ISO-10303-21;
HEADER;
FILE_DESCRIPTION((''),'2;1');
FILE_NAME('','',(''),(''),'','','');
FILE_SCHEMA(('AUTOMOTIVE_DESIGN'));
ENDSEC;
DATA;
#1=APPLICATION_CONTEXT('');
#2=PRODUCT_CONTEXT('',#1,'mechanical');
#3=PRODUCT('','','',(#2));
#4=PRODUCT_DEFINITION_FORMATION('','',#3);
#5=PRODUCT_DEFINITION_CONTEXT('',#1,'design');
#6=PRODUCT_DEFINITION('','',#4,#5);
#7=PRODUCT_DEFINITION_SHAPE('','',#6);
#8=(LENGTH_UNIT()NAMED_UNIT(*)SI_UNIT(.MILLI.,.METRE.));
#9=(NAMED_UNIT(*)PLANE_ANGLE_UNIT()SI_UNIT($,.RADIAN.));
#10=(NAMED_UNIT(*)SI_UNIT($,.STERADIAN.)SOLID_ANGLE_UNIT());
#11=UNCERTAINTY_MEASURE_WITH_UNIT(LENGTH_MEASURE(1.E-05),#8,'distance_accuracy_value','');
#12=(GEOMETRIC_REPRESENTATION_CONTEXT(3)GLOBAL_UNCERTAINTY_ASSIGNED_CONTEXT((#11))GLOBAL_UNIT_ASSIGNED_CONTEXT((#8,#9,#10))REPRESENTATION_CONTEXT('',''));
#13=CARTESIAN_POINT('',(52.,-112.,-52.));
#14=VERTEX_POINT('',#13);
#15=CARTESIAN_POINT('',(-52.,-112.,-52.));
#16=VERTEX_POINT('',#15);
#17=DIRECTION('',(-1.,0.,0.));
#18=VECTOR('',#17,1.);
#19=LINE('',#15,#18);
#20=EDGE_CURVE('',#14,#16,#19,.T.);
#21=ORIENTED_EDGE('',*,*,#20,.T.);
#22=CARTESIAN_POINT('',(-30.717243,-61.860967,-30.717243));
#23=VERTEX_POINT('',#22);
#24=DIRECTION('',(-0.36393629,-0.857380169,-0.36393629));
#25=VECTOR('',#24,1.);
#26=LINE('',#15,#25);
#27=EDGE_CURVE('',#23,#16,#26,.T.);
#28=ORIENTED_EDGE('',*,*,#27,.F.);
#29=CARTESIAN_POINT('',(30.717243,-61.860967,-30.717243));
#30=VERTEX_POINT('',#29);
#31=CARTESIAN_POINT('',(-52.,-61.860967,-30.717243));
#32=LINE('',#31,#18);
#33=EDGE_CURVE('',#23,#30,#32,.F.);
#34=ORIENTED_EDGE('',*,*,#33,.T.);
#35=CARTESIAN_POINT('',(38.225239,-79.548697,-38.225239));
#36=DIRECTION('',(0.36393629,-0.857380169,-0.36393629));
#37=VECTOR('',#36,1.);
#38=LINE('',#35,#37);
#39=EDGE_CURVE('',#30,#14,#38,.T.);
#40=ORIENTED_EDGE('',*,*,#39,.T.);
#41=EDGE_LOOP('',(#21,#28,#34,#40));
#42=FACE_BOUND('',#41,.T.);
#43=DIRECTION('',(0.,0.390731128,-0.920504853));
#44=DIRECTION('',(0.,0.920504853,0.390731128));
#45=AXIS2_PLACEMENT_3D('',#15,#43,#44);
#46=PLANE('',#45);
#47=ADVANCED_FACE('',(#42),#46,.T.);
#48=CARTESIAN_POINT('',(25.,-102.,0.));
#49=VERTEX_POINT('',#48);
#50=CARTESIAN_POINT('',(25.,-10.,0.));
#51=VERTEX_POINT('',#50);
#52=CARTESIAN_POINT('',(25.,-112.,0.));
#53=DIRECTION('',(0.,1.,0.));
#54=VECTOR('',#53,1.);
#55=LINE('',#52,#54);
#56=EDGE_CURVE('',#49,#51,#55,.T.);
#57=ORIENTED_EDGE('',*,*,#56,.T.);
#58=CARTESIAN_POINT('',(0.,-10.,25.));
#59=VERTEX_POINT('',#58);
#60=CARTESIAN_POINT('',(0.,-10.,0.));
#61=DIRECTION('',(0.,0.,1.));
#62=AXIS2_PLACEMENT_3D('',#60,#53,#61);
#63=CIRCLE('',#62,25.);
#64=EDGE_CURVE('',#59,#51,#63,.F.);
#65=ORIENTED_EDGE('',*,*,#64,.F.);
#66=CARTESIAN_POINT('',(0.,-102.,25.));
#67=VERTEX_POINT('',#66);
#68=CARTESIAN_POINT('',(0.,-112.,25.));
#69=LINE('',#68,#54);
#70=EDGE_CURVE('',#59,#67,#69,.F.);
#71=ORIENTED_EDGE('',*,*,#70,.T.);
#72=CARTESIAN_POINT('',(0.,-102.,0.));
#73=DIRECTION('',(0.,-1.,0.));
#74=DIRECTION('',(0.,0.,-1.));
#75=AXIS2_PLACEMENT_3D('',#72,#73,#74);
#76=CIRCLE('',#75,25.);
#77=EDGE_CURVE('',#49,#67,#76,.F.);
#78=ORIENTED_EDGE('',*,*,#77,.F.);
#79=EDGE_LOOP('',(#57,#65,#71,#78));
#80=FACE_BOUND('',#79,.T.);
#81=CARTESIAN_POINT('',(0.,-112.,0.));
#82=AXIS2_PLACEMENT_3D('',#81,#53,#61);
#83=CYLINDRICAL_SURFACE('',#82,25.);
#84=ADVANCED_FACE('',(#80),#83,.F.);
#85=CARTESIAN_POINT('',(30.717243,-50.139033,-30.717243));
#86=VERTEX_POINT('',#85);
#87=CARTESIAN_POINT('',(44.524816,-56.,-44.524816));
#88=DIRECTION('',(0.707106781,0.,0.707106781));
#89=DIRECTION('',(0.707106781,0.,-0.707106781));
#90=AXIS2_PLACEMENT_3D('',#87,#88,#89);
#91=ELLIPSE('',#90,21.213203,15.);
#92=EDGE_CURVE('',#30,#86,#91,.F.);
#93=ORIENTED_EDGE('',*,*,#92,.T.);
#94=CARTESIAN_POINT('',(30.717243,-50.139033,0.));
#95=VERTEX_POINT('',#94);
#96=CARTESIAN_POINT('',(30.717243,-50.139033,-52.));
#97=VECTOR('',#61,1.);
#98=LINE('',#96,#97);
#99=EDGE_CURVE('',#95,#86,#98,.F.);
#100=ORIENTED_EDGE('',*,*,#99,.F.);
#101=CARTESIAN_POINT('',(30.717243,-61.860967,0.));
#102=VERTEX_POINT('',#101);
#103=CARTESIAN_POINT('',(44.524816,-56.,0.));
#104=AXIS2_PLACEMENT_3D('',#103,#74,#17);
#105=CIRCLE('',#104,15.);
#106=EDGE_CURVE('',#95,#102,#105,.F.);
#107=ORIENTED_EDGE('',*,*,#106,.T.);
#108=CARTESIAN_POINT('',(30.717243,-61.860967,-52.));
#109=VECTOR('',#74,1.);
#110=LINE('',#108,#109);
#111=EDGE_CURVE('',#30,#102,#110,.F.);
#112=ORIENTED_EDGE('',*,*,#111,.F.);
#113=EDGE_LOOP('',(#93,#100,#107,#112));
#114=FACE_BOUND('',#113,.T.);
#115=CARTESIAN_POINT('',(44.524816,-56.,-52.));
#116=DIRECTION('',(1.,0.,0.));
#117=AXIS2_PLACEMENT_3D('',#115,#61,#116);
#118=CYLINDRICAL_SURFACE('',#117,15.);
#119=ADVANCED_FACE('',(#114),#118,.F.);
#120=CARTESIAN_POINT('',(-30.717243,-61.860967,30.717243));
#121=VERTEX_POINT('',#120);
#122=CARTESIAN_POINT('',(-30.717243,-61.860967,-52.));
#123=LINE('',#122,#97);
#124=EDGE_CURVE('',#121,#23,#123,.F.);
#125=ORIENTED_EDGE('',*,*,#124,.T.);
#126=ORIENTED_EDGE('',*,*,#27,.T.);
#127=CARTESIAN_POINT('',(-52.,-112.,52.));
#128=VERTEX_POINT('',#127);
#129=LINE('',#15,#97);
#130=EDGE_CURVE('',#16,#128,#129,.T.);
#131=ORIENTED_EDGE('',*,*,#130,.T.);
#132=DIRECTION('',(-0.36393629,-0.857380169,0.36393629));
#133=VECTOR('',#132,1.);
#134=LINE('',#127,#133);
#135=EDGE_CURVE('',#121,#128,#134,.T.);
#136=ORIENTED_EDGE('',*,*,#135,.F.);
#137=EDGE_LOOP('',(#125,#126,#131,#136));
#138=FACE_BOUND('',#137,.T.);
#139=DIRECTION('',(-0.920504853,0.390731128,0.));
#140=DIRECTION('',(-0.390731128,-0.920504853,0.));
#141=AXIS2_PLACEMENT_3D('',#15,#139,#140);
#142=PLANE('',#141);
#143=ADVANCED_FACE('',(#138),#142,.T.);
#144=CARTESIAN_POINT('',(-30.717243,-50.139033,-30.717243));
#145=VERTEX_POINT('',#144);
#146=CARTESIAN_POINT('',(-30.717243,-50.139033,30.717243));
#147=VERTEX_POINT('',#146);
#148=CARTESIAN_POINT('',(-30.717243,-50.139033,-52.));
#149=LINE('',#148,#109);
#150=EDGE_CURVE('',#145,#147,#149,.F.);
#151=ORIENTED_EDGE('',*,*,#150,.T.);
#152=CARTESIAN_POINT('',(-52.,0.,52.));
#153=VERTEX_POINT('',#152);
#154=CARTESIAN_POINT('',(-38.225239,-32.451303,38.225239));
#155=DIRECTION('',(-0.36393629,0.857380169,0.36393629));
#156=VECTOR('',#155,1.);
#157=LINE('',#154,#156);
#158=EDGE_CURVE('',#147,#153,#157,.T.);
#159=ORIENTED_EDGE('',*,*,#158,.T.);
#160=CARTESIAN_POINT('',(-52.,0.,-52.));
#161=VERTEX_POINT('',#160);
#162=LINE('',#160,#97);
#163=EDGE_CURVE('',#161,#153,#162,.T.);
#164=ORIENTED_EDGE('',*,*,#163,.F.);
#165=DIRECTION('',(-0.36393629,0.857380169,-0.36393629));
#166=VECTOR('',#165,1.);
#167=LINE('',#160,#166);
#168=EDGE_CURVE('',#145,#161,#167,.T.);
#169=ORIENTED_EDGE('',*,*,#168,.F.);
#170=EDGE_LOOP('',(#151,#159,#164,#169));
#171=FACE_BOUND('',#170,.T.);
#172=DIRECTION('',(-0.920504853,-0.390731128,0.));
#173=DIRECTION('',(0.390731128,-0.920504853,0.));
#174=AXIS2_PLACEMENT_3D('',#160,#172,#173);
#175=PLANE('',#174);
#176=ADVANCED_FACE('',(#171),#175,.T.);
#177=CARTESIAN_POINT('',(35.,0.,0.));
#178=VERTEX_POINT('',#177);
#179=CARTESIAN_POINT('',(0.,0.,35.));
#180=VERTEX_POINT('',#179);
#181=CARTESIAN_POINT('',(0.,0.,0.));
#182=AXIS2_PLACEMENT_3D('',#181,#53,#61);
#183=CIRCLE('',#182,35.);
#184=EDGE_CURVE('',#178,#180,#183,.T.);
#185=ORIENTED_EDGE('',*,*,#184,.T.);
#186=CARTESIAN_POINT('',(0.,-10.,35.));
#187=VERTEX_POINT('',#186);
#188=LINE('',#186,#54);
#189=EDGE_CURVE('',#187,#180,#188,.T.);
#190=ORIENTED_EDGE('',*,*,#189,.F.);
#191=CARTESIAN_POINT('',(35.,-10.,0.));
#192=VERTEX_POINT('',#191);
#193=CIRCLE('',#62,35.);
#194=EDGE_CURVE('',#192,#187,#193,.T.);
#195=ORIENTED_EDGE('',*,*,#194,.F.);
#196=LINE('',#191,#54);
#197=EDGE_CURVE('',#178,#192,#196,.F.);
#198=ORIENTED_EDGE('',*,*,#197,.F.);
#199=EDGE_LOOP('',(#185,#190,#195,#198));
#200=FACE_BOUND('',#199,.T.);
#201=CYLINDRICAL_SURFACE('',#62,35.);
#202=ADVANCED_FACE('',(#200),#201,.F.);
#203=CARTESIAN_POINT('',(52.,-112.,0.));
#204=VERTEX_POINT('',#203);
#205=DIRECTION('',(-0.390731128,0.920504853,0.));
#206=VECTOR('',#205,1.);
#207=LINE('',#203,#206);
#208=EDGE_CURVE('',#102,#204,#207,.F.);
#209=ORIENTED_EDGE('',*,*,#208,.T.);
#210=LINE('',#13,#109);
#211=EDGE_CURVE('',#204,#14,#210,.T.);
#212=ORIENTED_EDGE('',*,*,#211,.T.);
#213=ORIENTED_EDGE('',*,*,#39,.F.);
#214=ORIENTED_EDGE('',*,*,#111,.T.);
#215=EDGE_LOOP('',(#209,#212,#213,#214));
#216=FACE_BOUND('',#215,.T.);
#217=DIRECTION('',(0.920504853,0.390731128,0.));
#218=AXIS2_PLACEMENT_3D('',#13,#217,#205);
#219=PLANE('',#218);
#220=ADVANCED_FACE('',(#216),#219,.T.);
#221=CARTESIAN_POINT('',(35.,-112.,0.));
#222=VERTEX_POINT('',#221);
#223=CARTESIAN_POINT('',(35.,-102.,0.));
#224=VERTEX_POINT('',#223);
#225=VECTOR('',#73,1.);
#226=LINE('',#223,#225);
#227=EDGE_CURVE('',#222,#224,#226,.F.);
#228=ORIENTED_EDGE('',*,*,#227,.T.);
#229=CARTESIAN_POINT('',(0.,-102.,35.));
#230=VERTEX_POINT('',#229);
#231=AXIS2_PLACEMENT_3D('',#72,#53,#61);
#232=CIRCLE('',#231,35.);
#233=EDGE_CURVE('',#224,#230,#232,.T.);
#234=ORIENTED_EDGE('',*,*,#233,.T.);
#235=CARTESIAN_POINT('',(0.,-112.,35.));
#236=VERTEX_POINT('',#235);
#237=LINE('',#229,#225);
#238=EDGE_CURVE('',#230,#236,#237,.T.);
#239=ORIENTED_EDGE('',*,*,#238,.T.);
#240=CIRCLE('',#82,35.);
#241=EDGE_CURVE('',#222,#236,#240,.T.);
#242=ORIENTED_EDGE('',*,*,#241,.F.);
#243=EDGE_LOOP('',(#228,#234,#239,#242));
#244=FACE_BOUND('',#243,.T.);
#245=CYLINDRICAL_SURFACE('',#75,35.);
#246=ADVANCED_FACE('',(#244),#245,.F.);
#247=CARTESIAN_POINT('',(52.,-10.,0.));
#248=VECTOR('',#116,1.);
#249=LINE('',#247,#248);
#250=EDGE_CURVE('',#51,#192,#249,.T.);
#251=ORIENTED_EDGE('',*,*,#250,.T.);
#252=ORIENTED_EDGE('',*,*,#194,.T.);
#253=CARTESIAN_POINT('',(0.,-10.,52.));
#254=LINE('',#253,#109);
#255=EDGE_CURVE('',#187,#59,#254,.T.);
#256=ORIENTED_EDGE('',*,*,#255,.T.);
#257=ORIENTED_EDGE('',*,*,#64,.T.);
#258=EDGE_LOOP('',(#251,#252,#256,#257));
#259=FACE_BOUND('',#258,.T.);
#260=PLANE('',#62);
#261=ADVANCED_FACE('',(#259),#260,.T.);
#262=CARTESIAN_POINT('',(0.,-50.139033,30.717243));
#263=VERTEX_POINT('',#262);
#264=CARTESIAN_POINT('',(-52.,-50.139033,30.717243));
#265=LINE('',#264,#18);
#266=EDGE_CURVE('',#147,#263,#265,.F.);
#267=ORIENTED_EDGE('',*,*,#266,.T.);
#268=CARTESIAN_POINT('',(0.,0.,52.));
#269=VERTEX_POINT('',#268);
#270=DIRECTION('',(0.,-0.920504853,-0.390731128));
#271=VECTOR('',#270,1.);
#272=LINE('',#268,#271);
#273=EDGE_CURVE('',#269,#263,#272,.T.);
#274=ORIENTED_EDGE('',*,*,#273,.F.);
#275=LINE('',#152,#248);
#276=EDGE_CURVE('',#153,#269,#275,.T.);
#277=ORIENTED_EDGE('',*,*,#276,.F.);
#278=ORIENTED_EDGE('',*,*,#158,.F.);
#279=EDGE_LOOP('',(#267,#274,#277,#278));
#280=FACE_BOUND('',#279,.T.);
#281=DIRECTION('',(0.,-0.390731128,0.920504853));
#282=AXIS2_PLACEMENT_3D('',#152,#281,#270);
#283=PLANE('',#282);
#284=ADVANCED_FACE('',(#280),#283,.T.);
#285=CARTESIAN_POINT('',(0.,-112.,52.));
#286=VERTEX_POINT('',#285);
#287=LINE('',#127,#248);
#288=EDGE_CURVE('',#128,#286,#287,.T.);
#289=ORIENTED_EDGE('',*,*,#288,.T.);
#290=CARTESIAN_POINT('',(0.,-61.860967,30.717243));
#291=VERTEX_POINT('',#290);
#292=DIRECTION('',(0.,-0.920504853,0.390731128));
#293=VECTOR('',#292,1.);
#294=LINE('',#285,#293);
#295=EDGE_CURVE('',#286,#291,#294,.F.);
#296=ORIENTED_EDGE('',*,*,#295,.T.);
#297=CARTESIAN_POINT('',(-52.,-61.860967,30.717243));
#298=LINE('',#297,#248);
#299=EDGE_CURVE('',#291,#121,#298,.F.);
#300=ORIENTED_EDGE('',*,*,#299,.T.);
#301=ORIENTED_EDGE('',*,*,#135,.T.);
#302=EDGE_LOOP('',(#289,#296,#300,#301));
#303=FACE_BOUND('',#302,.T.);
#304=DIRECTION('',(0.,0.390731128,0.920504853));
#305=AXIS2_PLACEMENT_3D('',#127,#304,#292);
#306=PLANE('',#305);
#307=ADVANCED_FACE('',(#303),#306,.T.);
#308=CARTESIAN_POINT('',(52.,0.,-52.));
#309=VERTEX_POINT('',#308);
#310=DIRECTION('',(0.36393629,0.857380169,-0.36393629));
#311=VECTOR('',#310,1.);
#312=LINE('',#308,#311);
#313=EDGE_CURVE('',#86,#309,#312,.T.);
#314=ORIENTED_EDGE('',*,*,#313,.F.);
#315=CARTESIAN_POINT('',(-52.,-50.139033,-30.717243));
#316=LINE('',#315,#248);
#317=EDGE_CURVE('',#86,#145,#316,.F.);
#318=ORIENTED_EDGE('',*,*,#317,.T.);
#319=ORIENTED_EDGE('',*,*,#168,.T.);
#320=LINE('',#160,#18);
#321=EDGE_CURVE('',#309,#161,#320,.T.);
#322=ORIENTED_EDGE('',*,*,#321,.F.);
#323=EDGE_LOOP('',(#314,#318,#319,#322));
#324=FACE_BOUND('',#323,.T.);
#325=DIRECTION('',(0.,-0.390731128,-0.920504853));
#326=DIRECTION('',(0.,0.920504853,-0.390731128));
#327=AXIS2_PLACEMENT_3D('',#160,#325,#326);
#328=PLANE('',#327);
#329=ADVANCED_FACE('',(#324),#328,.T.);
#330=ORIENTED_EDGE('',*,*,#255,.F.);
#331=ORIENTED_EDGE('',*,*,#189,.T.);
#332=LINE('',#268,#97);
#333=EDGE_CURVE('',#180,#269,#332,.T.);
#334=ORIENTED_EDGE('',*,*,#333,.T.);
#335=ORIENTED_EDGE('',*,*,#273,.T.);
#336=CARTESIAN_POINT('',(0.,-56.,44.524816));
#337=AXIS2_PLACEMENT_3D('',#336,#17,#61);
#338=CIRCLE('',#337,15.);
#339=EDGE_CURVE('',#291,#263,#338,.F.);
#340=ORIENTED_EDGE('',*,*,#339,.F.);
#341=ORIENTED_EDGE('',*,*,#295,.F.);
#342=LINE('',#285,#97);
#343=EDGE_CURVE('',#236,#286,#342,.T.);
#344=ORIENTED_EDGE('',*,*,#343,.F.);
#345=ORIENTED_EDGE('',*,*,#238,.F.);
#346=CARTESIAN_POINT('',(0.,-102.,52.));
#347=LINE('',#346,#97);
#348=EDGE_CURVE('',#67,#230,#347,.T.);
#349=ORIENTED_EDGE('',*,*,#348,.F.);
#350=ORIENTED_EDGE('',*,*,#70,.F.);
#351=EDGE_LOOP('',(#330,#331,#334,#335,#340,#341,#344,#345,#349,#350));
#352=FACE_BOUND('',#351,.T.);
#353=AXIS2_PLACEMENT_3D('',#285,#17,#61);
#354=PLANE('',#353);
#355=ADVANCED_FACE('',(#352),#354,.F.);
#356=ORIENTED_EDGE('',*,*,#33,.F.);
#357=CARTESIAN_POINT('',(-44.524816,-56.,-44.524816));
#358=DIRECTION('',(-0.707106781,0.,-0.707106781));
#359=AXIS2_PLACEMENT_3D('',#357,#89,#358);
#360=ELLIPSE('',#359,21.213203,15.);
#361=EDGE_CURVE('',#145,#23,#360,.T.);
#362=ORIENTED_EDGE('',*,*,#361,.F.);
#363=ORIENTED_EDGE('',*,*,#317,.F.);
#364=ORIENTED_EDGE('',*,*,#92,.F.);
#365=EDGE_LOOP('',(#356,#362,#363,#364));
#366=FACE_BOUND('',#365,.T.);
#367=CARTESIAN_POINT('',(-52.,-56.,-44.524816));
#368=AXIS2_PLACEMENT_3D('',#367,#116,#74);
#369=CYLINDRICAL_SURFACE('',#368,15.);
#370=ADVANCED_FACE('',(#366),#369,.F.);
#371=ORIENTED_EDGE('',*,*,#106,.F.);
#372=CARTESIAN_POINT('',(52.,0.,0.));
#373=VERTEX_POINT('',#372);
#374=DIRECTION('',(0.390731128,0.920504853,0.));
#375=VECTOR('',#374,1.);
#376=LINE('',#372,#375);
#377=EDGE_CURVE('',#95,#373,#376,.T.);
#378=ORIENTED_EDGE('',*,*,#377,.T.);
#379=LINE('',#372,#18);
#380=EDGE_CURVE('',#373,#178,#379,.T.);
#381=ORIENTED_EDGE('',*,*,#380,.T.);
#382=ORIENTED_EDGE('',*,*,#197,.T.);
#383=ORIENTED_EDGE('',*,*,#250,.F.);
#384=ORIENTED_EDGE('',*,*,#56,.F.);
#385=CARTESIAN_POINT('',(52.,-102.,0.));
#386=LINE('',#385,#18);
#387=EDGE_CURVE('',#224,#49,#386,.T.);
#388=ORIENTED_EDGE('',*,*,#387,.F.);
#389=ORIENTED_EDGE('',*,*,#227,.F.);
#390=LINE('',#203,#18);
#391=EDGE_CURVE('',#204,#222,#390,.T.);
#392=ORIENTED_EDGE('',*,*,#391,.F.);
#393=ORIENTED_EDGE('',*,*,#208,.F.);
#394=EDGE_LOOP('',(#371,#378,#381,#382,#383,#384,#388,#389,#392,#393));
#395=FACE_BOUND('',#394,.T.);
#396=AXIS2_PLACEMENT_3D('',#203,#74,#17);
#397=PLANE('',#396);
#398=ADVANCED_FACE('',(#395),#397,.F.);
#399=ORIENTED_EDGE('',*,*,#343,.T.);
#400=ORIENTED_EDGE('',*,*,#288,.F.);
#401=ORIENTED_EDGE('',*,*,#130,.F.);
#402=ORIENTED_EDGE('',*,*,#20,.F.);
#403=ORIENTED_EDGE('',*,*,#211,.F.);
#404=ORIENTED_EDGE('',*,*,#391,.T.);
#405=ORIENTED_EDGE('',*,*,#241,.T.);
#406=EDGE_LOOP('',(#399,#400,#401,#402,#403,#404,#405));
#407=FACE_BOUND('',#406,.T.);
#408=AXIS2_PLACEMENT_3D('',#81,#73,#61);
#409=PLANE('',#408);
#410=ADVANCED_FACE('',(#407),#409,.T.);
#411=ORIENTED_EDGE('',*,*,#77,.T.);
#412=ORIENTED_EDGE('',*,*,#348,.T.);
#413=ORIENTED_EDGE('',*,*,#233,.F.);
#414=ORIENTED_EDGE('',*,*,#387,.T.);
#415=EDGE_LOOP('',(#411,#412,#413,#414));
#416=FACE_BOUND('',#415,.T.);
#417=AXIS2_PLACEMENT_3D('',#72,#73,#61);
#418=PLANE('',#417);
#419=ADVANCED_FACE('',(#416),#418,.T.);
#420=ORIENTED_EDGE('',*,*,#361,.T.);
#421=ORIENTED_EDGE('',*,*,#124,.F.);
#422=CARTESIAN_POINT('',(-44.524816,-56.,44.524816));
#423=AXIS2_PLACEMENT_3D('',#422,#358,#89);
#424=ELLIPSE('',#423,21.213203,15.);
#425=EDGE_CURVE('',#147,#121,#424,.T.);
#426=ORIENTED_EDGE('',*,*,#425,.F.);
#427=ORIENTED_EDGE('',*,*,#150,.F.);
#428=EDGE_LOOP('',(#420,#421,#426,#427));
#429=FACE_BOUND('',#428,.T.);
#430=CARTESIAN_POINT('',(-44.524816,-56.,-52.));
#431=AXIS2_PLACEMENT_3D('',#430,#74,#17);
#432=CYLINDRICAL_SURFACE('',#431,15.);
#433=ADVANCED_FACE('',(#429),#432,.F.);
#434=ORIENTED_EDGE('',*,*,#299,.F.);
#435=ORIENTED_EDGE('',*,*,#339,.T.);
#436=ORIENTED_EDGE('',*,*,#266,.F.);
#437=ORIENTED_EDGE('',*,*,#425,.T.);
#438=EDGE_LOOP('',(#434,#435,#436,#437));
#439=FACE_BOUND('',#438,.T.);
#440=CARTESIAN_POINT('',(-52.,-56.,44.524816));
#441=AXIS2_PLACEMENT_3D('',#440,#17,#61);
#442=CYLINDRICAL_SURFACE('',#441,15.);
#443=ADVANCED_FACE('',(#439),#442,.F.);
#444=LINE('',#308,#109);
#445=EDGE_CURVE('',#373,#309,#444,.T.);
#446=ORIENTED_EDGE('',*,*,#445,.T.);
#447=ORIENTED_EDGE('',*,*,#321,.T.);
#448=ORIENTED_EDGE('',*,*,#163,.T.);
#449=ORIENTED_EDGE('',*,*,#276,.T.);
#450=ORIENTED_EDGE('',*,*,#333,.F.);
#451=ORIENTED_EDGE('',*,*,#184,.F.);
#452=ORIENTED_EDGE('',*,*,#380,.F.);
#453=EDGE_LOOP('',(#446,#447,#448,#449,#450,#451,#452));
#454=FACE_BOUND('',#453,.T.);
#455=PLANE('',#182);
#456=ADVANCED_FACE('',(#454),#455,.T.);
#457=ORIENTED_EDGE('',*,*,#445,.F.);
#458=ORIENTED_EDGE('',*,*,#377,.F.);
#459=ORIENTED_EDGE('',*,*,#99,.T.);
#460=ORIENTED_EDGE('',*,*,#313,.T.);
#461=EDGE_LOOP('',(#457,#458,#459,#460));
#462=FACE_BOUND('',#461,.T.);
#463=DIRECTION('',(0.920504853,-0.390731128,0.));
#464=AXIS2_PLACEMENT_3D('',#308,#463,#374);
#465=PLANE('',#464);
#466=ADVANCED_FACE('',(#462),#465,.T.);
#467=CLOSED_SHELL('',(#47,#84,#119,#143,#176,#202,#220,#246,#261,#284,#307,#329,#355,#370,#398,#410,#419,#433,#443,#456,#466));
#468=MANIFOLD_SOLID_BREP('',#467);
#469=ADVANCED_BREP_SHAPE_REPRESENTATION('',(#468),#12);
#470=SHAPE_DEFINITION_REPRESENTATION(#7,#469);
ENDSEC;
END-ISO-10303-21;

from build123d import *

# Parameters (mm, degrees)
ESQUISSE1_W                  = 104
ESQUISSE1_H                  = 104
BOSS_EXTRU_2_DEPTH           = 56
BOSS_EXTRU_2_DRAFT           = -23
SYM_TRIE1_COPY_1_SKETCH_W    = 104
SYM_TRIE1_COPY_1_SKETCH_H    = 104
SYM_TRIE1_COPY_1_DEPTH       = 56
SYM_TRIE1_COPY_1_DRAFT       = -23
ENL_V_MAT_EXTRU_1_DEPTH      = 134.985073796
ENL_V_MAT_EXTRU_1_DEPTH_BACK = 134.985073796
ESQUISSE2_R                  = 25
CONG_1_R                     = 15
ESQUISSE3_W                  = 52
ESQUISSE3_H                  = 52
ENL_V_MAT_EXTRU_2_DEPTH      = 134.985073796
ESQUISSE4_R                  = 35
ENL_V_MAT_EXTRU_3_DEPTH      = 10


with BuildPart() as part:
    # Esquisse1 → Boss.-Extru.2 (with draft: the straight prism first)
    with BuildSketch(Plane(origin=(0, 0, 0), x_dir=(1, 0, 0), z_dir=(0, 1, 0))):
        Rectangle(ESQUISSE1_W, ESQUISSE1_H)
    extrude(amount=-BOSS_EXTRU_2_DEPTH)
    # Boss.-Extru.2: the draft: its side faces are tilted about the plane it starts from
    boss_extru_2_sides = [part.faces().sort_by_distance(p)[0] for p in [
        (-52, -28, 0),
        (0, -28, 52),
        (52, -28, 0),
        (0, -28, -52),
    ]]
    draft(boss_extru_2_sides, Plane(origin=(0, 0, 0), x_dir=(1, 0, 0), z_dir=(0, 1, 0)), BOSS_EXTRU_2_DRAFT)


with BuildPart() as sym_trie1_copy_1_tool:
    # Symétrie1 copy 1 sketch → Symétrie1 copy 1 (with draft: the straight prism first)
    with BuildSketch(Plane.XZ.offset(112)):
        Rectangle(SYM_TRIE1_COPY_1_SKETCH_W, SYM_TRIE1_COPY_1_SKETCH_H)
    extrude(amount=-SYM_TRIE1_COPY_1_DEPTH)
    # Symétrie1 copy 1: the draft: its side faces are tilted about the plane it starts from
    sym_trie1_copy_1_sides = [sym_trie1_copy_1_tool.faces().sort_by_distance(p)[0] for p in [
        (-52, -84, 0),
        (0, -84, 52),
        (52, -84, 0),
        (0, -84, -52),
    ]]
    draft(sym_trie1_copy_1_sides, Plane.XZ.offset(112), SYM_TRIE1_COPY_1_DRAFT)


with BuildPart() as part_1:
    add(part.part)

    # Symétrie1 copy 1: add sym_trie1_copy_1_tool
    add(sym_trie1_copy_1_tool.part)

    # Esquisse2 → Enlèv. mat.-Extru.1 (cut, two sides: drawn at the far end of the back side and taken through both)
    with BuildSketch(Plane(origin=(0, 0, 0), x_dir=(1, 0, 0), z_dir=(0, 1, 0)).offset(-ENL_V_MAT_EXTRU_1_DEPTH_BACK)):
        with Locations(Location((0, 0, 0), (0, 0, 270))):
            Circle(ESQUISSE2_R)
    extrude(amount=ENL_V_MAT_EXTRU_1_DEPTH + ENL_V_MAT_EXTRU_1_DEPTH_BACK, mode=Mode.SUBTRACT)

    # Congé1
    cong_1_edges = [part_1.edges().sort_by_distance(p)[0] for p in [
        (-28.229410292, -56, 0),
        (0, -56, 28.229410292),
        (28.229410292, -56, 0),
        (0, -56, -28.229410292),
    ]]
    fillet(cong_1_edges, radius=CONG_1_R)

    # Esquisse3 → Enlèv. mat.-Extru.2 (cut, through all)
    with BuildSketch(Plane(origin=(0, 0, 0), x_dir=(1, 0, 0), z_dir=(0, 1, 0))):
        with Locations((26, -26)):
            Rectangle(ESQUISSE3_W, ESQUISSE3_H)
    extrude(amount=-ENL_V_MAT_EXTRU_2_DEPTH, mode=Mode.SUBTRACT)

    # Esquisse4 → Enlèv. mat.-Extru.3 (cut)
    with BuildSketch(Plane(origin=(0, 0, 0), x_dir=(1, 0, 0), z_dir=(0, 1, 0))):
        Circle(ESQUISSE4_R)
    enl_v_mat_extru_3 = extrude(amount=-ENL_V_MAT_EXTRU_3_DEPTH, mode=Mode.SUBTRACT)

    # Symétrie2: Enlèv. mat.-Extru.3 across plane
    add(enl_v_mat_extru_3.mirror(Plane.ZX.offset(-56)), mode=Mode.SUBTRACT)


solid = part_1.part
